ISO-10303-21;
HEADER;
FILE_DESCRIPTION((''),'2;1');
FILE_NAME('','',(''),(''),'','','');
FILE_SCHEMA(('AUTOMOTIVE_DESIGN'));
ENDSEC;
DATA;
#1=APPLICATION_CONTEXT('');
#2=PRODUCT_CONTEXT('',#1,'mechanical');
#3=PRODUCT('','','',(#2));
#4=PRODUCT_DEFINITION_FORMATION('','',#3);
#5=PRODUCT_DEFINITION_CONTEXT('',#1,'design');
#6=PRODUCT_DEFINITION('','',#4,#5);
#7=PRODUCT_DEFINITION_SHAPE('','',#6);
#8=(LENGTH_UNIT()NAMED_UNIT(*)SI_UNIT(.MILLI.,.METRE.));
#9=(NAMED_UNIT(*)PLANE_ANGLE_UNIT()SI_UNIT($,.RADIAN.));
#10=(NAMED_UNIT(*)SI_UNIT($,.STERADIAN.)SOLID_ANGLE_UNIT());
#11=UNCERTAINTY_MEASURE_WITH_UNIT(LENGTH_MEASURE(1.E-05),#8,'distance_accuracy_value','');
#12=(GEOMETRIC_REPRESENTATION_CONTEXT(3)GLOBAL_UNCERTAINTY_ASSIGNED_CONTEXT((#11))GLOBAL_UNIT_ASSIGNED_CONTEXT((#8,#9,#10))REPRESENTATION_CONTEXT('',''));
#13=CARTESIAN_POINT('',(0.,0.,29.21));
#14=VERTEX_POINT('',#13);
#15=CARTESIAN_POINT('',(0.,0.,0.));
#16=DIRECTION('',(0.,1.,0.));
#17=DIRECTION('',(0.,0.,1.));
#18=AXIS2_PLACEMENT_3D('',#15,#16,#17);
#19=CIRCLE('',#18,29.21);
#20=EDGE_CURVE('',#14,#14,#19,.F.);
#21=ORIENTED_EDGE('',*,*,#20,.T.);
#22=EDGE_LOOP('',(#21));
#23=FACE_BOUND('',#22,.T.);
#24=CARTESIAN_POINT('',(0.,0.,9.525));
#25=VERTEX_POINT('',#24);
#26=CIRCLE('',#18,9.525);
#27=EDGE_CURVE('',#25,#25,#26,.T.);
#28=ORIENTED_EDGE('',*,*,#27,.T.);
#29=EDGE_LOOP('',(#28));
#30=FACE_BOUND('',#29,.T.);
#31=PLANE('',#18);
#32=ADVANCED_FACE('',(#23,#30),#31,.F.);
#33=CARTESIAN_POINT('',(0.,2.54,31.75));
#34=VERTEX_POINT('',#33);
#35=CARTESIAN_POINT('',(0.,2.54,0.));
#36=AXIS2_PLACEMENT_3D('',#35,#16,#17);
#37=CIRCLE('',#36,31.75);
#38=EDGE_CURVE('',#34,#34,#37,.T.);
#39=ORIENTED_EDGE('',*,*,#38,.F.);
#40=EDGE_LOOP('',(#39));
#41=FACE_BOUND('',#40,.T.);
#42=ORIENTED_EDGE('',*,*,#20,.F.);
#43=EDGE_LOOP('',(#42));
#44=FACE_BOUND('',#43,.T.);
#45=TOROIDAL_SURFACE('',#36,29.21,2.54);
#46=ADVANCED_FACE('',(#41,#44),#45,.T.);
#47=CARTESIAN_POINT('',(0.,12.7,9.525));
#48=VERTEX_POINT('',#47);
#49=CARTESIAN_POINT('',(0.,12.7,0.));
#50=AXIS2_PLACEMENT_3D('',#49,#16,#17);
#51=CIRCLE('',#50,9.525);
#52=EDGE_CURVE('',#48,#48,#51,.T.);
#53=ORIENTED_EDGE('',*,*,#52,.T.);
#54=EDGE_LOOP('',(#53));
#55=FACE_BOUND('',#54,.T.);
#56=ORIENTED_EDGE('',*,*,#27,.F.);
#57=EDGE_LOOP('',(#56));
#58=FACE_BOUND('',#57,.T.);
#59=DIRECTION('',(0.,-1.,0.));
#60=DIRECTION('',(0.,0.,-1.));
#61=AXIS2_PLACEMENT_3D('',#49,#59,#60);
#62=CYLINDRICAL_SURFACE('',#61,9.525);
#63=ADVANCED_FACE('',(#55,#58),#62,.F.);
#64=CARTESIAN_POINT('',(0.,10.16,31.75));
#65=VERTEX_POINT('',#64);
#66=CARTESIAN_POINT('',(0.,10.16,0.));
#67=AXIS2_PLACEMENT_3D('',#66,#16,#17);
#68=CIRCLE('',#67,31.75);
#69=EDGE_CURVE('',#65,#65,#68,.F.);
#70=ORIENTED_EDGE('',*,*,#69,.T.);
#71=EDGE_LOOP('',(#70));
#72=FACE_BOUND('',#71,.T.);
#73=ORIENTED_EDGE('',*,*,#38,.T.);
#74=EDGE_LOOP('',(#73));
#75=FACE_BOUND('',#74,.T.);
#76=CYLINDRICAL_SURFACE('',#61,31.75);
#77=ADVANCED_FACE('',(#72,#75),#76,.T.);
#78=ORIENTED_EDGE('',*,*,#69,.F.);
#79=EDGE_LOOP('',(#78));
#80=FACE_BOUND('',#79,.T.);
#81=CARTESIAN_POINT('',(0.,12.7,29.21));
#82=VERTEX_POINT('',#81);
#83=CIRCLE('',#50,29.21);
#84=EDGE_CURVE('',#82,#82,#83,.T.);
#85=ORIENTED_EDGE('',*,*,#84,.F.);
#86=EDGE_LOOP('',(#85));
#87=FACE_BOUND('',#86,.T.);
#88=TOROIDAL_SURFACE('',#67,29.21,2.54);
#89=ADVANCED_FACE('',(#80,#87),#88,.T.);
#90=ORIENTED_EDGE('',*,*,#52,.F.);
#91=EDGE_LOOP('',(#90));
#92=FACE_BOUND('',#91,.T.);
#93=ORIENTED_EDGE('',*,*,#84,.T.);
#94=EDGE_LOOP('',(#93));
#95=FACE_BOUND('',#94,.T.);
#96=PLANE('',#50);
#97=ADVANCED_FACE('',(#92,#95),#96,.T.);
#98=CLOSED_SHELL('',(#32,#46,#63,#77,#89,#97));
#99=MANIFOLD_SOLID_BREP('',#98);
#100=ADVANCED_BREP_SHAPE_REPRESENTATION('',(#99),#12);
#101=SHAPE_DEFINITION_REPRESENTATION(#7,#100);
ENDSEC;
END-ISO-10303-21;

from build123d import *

# Parameters (mm, degrees)
SKETCH1_R           = 31.75
SKETCH1_R_2         = 9.525
BOSS_EXTRUDE1_DEPTH = 12.7
FILLET1_R           = 2.54


with BuildPart() as part:
    # Sketch1 → Boss-Extrude1 (new body)
    with BuildSketch(Plane(origin=(0, 0, 0), x_dir=(1, 0, 0), z_dir=(0, 1, 0))):
        with Locations(Location((0, 0, 0), (0, 0, 270))):
            Circle(SKETCH1_R)
        with Locations(Location((0, 0, 0), (0, 0, 270))):
            Circle(SKETCH1_R_2, mode=Mode.SUBTRACT)
    extrude(amount=BOSS_EXTRUDE1_DEPTH)

    # Fillet1
    fillet1_edges = [part.edges().sort_by_distance(p)[0] for p in [
        (0, 0, -31.75),
        (0, 12.7, -31.75),
    ]]
    fillet(fillet1_edges, radius=FILLET1_R)


solid = part.part
